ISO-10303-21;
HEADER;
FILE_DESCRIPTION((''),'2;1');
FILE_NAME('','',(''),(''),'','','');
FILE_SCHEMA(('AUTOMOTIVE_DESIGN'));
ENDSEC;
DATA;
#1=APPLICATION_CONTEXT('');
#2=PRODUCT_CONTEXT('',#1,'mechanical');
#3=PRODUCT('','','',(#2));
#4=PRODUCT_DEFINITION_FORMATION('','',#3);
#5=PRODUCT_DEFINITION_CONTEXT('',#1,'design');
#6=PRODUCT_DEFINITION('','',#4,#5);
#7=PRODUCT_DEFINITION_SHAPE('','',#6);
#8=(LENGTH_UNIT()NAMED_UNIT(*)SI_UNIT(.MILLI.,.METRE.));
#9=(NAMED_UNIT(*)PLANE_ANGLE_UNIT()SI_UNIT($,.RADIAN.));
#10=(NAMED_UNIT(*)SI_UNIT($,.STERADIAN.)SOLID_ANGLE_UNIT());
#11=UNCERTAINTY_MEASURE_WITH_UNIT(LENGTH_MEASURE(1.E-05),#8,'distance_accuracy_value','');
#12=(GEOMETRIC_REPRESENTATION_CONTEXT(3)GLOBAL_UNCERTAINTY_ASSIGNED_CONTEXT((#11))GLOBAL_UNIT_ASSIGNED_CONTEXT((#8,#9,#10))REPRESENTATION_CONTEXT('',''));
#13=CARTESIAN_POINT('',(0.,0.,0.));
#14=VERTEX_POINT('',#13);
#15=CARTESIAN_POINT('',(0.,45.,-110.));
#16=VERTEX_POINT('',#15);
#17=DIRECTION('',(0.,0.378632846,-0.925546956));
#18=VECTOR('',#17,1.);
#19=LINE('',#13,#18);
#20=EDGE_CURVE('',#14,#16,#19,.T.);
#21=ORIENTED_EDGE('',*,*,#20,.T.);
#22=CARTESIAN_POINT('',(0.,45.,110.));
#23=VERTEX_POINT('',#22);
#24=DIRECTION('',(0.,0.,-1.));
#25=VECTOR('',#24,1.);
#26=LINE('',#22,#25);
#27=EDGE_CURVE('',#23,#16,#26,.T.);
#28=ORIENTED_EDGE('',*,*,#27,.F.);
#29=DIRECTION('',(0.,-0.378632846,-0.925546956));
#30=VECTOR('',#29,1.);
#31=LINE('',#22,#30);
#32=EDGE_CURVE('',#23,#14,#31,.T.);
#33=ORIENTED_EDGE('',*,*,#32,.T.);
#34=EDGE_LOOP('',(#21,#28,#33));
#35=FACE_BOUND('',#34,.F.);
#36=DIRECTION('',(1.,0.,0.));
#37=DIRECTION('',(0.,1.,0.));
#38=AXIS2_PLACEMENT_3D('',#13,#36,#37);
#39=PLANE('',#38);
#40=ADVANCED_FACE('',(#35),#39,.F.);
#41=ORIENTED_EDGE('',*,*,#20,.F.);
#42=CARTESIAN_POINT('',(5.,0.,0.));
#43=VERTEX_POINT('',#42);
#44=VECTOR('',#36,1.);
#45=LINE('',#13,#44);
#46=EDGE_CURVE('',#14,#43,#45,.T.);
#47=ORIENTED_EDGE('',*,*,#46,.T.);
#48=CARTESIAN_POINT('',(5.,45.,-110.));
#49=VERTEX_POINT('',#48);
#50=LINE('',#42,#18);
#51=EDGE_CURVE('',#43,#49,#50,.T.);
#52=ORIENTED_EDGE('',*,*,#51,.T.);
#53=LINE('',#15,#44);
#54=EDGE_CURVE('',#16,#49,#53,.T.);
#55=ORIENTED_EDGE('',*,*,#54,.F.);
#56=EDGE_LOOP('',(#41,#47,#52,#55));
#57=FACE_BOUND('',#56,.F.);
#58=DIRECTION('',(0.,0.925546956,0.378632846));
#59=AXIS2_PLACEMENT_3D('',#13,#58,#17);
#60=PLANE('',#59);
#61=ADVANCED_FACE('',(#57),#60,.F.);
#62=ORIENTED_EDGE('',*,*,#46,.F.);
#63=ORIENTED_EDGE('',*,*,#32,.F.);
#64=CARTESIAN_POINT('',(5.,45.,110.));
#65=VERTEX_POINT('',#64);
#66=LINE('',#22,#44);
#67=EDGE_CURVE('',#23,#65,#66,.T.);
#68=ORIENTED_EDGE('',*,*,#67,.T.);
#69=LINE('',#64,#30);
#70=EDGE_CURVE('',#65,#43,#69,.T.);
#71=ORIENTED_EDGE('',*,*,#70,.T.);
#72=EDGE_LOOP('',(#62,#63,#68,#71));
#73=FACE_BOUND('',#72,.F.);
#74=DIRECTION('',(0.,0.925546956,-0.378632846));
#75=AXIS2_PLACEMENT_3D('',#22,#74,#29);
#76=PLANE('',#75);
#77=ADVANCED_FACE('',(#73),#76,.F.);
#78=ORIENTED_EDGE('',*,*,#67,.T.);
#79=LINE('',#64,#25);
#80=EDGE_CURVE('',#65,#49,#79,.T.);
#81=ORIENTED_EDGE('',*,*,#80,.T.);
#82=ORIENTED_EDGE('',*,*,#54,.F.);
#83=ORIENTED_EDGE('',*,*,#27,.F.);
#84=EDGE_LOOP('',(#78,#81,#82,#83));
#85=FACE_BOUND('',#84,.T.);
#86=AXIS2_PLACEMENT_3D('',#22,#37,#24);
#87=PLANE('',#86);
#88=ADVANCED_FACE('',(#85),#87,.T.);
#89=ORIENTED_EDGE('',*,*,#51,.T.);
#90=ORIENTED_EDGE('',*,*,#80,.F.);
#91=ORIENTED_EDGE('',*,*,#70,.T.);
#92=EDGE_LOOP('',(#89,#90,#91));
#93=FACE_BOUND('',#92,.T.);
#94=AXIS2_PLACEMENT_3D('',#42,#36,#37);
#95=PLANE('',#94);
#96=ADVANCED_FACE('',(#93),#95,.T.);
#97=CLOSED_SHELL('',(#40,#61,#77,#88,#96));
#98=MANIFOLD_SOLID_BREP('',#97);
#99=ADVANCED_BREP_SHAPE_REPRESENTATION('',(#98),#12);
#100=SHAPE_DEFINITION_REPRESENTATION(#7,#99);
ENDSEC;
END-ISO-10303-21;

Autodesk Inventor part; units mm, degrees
ref_plane "YZ Plane" through (0, 0, 0) normal (1, 0, 0) x (0, 1, 0)
ref_plane "XZ Plane" through (0, 0, 0) normal (0, 1, 0) x (-1, 0, 0)
ref_plane "XY Plane" through (0, 0, 0) normal (0, 0, 1) x (1, 0, 0)
sketch "Sketch1" plane through (0, 0, 0) normal (1, 0, 0) x (0, 1, 0)
  line L0 (45, 110) -> (45, -110)
  line L1 (45, 110) -> (0, 0)
  line L2 (0, 0) -> (45, -110)
extrude "Extrusion1" add sketch "Sketch1" along normal blind 5
